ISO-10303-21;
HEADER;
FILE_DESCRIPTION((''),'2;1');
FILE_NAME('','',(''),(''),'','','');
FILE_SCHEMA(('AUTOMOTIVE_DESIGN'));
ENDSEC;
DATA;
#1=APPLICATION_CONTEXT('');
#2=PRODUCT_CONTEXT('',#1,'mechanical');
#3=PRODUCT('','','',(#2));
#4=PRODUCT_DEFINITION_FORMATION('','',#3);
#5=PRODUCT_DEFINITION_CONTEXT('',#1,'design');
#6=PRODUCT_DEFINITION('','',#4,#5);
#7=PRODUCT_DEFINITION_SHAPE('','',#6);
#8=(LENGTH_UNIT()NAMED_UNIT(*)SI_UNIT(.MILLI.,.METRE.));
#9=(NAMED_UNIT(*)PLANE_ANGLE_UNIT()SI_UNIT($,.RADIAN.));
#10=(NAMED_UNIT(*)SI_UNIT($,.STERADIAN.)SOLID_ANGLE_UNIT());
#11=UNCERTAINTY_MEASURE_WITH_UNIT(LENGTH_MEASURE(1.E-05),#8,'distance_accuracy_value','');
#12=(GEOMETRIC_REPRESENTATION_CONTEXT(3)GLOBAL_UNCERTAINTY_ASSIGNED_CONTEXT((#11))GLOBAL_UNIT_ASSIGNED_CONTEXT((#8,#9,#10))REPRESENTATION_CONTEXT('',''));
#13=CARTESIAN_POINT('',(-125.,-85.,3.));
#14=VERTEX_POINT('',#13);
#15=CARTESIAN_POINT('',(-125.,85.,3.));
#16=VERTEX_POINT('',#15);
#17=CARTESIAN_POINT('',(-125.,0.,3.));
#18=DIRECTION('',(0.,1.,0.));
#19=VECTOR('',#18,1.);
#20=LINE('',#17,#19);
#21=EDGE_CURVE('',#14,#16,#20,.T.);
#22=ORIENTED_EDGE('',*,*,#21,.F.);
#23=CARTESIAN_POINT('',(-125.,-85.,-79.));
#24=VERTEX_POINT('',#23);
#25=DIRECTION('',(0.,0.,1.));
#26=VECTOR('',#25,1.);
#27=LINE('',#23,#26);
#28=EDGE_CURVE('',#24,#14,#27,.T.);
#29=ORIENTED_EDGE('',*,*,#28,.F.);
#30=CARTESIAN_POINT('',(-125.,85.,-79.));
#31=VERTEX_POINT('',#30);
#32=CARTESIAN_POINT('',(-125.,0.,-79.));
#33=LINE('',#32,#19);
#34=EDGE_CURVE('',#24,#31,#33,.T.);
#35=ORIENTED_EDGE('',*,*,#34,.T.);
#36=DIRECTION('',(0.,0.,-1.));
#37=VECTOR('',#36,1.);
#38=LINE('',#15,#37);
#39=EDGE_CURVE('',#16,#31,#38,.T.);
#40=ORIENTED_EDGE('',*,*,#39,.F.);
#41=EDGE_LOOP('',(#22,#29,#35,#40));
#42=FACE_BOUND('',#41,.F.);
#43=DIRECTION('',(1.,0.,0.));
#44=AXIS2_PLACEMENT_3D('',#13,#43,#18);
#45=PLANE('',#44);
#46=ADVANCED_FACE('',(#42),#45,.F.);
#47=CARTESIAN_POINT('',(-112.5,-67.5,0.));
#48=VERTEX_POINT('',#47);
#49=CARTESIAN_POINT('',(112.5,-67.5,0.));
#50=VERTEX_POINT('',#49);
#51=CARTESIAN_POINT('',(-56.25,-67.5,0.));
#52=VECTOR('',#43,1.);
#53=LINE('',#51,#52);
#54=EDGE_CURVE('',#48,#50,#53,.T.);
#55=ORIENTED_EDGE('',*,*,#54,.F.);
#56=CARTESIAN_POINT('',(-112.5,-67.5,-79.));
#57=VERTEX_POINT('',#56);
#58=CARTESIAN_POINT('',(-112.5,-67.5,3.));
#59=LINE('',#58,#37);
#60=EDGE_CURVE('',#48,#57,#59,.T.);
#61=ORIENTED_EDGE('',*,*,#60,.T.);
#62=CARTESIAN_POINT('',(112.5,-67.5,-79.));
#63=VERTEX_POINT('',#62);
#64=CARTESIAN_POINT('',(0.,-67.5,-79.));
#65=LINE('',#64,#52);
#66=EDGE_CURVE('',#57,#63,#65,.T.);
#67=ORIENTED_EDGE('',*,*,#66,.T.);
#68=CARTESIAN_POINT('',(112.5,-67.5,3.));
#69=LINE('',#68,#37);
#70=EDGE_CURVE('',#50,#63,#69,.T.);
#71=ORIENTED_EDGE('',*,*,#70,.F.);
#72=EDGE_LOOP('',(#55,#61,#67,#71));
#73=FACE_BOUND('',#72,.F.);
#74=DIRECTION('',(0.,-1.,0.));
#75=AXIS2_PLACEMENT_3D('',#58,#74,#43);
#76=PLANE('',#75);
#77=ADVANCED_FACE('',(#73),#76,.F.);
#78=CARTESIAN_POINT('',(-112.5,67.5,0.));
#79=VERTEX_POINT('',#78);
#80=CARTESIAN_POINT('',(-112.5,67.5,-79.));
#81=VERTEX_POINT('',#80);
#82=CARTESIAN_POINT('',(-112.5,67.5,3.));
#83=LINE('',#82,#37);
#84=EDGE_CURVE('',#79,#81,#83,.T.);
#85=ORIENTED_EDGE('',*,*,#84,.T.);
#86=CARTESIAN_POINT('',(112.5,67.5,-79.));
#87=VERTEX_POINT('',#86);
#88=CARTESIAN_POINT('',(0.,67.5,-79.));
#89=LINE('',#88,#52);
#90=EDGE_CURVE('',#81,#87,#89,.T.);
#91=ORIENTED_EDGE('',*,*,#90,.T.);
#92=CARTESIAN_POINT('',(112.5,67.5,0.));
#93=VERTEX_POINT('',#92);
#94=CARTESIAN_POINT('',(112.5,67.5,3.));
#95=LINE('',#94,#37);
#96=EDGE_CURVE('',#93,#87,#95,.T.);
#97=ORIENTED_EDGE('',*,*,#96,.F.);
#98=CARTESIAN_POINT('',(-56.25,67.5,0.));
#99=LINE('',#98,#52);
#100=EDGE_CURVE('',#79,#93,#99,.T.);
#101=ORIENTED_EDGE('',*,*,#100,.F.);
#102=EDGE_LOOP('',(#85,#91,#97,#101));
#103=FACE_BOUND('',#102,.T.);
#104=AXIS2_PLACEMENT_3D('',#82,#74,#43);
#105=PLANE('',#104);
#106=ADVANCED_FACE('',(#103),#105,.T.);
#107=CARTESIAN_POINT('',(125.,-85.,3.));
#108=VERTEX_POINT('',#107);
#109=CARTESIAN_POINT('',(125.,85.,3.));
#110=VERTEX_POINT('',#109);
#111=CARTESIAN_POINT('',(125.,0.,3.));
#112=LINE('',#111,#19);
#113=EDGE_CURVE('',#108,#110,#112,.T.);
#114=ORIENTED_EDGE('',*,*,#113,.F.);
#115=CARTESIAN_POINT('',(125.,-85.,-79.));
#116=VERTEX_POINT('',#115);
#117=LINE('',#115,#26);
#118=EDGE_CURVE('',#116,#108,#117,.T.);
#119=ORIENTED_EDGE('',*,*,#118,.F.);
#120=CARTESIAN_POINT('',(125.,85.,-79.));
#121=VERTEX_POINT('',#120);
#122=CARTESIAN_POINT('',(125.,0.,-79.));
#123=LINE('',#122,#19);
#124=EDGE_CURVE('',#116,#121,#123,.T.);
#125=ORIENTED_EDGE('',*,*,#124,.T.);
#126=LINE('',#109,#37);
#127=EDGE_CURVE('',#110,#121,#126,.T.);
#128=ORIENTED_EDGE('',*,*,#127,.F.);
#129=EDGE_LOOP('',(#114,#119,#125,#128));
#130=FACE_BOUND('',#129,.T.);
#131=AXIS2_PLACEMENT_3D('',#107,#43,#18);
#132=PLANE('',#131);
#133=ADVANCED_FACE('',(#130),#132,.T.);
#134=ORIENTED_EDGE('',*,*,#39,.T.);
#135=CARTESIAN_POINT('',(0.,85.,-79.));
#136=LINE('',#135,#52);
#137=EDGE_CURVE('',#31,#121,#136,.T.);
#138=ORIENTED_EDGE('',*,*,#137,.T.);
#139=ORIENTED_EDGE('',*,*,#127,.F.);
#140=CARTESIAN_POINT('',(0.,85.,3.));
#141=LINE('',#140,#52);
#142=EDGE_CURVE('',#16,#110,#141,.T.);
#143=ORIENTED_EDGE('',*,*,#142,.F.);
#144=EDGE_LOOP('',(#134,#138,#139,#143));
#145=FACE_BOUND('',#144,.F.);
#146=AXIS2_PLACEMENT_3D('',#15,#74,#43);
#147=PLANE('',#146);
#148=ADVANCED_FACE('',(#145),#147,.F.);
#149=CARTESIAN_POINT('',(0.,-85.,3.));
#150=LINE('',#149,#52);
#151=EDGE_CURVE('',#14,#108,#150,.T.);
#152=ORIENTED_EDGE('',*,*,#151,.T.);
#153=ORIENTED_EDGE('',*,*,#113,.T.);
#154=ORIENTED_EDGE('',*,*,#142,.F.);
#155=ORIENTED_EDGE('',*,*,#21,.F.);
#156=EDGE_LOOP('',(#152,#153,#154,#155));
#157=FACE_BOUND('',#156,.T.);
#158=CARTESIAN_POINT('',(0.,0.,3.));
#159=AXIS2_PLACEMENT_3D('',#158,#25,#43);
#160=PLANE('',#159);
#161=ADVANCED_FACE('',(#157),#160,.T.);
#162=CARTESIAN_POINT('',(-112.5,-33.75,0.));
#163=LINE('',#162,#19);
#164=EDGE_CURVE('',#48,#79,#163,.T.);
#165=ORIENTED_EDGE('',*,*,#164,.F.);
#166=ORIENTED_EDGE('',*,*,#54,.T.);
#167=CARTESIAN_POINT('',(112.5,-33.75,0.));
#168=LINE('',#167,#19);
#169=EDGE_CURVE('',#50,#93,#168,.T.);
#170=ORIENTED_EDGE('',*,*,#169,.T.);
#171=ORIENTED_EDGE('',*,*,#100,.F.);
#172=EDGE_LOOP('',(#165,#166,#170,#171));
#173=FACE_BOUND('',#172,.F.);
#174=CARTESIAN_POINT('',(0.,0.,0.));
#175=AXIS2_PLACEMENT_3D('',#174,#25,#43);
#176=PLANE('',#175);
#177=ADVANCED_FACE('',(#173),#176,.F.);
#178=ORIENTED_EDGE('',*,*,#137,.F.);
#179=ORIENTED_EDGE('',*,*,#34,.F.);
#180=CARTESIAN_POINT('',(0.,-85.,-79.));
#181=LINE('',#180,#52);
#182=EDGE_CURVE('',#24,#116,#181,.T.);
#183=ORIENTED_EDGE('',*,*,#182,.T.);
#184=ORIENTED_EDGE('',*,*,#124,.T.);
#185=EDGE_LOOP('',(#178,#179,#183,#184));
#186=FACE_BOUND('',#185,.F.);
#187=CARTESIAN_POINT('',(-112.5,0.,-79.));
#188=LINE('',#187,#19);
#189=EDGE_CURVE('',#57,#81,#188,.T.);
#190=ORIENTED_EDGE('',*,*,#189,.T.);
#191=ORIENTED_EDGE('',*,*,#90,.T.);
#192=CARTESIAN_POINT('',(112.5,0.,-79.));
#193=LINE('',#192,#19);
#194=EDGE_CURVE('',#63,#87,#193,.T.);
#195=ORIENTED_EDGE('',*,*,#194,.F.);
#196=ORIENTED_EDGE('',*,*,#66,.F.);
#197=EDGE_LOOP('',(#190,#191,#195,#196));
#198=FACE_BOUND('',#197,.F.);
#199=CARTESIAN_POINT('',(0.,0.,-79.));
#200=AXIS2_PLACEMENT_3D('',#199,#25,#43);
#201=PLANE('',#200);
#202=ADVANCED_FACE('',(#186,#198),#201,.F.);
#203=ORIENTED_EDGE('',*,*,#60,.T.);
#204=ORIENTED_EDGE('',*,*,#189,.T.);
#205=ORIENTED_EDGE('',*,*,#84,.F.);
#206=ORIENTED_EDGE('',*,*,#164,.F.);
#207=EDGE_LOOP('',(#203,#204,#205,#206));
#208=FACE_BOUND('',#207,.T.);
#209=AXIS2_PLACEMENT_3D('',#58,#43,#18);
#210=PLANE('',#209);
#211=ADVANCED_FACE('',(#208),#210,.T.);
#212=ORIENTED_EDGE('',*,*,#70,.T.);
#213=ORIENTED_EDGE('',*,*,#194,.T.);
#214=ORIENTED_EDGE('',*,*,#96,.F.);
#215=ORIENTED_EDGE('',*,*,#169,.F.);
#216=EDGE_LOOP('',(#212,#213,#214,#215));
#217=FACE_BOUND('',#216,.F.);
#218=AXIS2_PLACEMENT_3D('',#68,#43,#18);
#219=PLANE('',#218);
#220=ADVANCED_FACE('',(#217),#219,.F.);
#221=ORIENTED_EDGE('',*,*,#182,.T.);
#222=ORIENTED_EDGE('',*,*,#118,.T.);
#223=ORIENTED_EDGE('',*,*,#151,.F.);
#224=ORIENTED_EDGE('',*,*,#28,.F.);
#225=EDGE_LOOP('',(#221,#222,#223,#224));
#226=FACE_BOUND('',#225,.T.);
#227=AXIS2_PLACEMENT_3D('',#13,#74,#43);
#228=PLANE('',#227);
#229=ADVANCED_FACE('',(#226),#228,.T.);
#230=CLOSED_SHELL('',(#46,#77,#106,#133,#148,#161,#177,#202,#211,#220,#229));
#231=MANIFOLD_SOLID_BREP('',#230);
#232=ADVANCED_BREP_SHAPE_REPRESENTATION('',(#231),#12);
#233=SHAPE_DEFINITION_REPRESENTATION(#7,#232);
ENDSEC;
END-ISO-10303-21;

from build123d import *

# Parameters (mm, degrees)
F0_W     = 250
F0_H     = 170
F0_W_2   = 235
F0_H_2   = 150
F1_DEPTH = 3
F2_W     = 250
F2_H     = 170
F2_W_2   = 225
F2_H_2   = 135
F3_DEPTH = 82


with BuildPart() as f1:
    # F0 (on Top) → F1 (new body)
    with BuildSketch(Plane.XY):
        Rectangle(F0_W, F0_H)
        Rectangle(F0_W_2, F0_H_2, mode=Mode.SUBTRACT)
        Rectangle(F0_W_2, F0_H_2)
    extrude(amount=F1_DEPTH)

    # F2 (on face) → F3 (join)
    with BuildSketch(Plane.XY.offset(3)):
        Rectangle(F2_W, F2_H)
        Rectangle(F2_W_2, F2_H_2, mode=Mode.SUBTRACT)
    extrude(amount=-F3_DEPTH)


solid = f1.part
